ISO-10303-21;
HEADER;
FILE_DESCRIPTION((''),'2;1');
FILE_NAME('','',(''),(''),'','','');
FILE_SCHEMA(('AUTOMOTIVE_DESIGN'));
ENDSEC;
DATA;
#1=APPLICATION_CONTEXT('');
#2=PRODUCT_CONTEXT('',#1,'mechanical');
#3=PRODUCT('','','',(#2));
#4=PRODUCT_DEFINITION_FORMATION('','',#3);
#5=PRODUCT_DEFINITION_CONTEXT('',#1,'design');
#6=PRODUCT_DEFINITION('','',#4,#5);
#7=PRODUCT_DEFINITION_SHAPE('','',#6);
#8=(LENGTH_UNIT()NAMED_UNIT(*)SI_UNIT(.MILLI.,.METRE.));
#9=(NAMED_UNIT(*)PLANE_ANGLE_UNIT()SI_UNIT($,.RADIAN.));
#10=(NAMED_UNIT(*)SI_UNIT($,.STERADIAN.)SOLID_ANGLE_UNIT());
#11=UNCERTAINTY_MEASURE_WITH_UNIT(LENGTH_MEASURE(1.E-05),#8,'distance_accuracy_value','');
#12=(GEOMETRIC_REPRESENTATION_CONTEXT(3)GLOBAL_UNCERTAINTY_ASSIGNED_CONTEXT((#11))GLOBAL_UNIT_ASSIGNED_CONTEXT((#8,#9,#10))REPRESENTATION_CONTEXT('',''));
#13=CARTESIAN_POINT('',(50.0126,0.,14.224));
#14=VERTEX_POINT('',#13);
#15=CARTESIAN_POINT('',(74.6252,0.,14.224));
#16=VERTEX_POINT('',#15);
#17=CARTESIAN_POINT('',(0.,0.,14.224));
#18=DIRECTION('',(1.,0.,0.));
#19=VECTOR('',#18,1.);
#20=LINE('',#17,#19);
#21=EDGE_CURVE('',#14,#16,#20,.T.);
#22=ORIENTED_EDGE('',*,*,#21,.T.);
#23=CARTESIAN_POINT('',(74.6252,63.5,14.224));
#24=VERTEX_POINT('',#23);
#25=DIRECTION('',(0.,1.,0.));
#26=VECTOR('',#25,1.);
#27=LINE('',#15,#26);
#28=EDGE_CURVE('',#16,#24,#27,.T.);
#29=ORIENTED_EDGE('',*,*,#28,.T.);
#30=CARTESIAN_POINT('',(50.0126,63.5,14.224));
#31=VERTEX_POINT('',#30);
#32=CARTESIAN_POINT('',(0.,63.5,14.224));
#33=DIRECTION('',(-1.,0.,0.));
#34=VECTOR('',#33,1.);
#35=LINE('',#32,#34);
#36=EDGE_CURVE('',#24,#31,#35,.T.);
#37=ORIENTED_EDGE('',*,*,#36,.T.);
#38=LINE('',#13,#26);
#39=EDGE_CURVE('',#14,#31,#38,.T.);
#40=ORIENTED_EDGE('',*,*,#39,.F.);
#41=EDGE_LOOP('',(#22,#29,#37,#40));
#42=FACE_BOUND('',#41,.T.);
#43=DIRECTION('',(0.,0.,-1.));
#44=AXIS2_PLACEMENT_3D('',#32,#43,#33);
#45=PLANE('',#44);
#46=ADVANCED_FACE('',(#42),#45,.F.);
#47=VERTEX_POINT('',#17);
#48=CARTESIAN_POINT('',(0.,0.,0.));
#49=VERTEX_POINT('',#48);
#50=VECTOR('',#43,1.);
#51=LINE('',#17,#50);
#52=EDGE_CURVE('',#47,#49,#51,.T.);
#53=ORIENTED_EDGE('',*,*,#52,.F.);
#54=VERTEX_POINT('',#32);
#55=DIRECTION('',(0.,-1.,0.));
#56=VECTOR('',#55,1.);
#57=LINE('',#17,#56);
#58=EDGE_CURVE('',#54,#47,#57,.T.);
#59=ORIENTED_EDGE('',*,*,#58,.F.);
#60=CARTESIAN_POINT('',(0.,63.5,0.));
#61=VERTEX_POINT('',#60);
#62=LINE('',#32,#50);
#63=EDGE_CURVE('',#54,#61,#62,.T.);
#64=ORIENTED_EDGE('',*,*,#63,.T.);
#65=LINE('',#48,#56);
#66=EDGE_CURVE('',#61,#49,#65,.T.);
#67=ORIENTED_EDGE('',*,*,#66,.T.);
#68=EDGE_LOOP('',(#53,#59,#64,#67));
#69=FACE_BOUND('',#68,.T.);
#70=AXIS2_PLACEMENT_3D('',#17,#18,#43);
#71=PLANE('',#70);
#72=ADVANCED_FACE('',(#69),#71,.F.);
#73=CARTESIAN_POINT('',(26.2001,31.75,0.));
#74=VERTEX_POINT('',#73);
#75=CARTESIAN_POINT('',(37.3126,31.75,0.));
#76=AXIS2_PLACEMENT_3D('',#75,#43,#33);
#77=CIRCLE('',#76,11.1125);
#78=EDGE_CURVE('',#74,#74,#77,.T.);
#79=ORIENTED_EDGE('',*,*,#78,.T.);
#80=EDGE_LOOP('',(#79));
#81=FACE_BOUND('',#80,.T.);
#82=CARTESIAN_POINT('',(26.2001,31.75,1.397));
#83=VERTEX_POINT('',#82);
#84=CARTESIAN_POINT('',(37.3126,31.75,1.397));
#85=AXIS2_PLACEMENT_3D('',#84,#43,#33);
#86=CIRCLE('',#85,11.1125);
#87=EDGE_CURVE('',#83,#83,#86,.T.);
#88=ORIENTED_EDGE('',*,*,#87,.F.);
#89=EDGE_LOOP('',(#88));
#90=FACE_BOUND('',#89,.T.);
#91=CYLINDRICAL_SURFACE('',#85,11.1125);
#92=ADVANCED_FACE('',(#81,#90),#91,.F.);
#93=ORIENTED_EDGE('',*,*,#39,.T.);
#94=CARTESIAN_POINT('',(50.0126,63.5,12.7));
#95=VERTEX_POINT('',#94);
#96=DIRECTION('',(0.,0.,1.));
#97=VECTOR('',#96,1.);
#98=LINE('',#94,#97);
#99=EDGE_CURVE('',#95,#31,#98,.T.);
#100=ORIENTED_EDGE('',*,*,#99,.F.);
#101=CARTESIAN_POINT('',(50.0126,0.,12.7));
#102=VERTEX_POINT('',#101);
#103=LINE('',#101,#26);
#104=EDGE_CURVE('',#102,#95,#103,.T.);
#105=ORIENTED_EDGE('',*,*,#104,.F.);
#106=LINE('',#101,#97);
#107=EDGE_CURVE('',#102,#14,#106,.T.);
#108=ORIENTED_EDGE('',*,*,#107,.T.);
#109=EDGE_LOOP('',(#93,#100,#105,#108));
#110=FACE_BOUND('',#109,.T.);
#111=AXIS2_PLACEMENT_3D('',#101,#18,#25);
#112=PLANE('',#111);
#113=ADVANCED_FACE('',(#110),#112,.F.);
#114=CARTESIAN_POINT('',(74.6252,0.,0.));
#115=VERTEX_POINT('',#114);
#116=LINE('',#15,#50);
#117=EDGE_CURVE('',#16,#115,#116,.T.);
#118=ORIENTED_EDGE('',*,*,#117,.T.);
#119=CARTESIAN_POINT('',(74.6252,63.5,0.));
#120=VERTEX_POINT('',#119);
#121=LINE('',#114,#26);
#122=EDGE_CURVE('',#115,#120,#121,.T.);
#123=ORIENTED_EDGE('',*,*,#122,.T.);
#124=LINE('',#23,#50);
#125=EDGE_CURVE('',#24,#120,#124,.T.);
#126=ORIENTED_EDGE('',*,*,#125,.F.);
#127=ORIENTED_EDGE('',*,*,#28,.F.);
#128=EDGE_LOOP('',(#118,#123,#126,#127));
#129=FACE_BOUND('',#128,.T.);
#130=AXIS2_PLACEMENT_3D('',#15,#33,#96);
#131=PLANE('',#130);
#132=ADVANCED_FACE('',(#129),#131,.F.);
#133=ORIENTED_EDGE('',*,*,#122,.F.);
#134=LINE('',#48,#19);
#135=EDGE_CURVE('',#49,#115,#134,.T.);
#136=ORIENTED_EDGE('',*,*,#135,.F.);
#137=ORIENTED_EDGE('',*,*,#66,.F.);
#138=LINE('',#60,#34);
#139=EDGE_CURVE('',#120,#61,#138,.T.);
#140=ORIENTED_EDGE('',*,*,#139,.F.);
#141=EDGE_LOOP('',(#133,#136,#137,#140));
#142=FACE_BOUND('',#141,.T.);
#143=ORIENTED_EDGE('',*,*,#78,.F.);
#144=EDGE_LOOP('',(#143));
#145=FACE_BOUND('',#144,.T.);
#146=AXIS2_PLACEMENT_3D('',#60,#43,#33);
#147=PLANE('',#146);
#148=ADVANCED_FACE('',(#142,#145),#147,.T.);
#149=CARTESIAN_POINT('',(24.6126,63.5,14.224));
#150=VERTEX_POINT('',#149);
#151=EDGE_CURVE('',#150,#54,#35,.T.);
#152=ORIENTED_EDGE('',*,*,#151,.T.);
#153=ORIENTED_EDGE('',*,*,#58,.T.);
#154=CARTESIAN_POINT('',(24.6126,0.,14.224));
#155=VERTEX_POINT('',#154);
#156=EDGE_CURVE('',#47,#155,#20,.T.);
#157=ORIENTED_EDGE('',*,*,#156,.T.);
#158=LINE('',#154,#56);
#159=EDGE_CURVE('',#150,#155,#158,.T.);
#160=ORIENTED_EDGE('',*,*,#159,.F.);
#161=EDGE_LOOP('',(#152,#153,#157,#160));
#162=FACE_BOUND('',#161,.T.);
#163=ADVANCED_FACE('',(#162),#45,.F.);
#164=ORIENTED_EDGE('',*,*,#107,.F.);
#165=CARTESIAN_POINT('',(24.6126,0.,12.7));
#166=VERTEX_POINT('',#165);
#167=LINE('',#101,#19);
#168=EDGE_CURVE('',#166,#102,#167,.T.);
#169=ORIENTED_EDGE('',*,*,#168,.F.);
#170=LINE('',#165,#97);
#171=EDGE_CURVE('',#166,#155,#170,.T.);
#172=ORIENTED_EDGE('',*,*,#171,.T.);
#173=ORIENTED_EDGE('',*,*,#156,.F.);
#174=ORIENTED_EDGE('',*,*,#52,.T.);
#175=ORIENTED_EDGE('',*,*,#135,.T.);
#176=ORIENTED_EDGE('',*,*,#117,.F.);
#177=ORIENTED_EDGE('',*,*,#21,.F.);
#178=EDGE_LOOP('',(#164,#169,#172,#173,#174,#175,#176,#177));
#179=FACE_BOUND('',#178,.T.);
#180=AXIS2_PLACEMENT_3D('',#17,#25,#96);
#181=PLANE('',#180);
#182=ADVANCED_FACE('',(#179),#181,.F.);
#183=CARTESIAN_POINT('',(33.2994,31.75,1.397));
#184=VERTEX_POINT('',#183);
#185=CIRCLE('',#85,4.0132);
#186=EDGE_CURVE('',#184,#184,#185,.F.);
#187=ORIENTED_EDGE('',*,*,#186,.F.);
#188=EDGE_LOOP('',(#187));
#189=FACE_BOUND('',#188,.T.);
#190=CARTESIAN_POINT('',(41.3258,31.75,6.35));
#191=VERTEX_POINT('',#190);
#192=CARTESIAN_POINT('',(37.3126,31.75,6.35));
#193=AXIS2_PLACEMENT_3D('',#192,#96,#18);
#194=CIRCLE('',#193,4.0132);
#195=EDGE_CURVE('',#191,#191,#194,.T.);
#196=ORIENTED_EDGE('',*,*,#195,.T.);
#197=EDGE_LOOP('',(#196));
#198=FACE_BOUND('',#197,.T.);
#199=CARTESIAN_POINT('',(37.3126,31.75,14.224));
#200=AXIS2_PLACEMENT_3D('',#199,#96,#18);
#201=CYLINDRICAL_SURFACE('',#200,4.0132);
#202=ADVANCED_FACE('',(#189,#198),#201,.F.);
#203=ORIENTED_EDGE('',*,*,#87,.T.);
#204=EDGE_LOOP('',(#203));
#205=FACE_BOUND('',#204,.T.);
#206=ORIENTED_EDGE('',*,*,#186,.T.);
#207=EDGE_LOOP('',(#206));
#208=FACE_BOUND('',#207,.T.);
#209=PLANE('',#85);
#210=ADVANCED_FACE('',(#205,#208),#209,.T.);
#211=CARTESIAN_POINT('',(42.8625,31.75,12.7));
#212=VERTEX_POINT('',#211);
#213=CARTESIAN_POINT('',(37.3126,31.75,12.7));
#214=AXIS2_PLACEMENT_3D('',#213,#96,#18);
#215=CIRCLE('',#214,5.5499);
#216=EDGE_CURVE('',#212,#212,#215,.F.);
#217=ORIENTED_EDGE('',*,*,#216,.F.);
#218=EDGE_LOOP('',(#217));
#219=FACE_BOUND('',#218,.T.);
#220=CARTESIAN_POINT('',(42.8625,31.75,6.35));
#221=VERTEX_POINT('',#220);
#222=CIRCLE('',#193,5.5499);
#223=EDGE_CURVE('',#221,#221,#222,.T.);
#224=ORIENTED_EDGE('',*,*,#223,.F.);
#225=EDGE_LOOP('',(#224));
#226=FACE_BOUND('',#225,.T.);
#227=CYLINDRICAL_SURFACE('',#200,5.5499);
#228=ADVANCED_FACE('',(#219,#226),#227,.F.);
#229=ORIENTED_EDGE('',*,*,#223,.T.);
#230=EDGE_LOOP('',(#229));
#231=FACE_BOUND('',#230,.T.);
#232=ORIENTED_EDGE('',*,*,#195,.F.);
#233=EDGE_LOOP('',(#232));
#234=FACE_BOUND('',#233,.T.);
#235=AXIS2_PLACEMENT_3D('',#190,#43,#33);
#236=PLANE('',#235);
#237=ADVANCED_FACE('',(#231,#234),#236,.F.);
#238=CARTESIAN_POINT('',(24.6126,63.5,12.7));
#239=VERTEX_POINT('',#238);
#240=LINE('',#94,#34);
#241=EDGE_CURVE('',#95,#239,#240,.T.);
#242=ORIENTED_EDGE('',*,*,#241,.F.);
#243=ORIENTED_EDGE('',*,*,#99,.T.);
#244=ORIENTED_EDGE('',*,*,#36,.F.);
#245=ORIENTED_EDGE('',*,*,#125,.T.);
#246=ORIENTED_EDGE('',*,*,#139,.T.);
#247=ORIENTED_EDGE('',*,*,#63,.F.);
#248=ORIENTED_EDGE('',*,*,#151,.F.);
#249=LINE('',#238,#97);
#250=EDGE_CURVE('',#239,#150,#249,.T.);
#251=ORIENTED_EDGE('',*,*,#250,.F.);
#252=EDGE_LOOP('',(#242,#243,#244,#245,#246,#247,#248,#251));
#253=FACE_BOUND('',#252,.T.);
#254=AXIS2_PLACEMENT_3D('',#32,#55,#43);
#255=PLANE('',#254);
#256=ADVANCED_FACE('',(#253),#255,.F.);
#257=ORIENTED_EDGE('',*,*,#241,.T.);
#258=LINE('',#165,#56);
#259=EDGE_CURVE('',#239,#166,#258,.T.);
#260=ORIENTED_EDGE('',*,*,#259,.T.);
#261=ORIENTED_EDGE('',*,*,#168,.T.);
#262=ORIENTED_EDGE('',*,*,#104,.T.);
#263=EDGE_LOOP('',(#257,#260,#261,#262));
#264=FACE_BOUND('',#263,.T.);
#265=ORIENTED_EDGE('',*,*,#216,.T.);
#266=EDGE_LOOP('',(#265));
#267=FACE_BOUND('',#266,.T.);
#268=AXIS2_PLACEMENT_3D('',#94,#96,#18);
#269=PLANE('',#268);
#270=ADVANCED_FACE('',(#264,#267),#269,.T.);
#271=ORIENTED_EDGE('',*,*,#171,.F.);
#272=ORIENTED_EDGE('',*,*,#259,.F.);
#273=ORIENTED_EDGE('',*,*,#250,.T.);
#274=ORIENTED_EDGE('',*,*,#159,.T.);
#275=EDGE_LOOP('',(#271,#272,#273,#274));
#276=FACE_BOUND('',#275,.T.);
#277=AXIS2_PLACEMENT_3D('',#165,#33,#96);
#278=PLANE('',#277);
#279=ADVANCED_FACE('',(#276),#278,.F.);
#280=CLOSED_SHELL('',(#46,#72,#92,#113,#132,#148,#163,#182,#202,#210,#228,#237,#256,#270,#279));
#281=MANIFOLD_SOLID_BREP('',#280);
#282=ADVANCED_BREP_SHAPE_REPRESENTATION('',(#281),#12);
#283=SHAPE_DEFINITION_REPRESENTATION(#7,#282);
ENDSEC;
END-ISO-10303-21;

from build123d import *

# Parameters (mm, degrees)
SKETCH1_W                                        = 74.6252
SKETCH1_H                                        = 63.5
BOSS_EXTRUDE1_DEPTH                              = 14.224
CBORE_FOR_1_4_SOCKET_HEAD_CAP_SCREW1_D           = 8.0264
CBORE_FOR_1_4_SOCKET_HEAD_CAP_SCREW1_CBORE_D     = 11.0998
CBORE_FOR_1_4_SOCKET_HEAD_CAP_SCREW1_CBORE_DEPTH = 7.874
SKETCH9_W                                        = 25.4
SKETCH9_H                                        = 63.5
CUT_EXTRUDE1_DEPTH                               = 1.524
SKETCH10_R                                       = 11.1125
CUT_EXTRUDE2_DEPTH                               = 1.397


with BuildPart() as part:
    # Sketch1 → Boss-Extrude1 (new body)
    with BuildSketch(Plane.XY):
        with Locations((37.3126, 31.75)):
            Rectangle(SKETCH1_W, SKETCH1_H)
    extrude(amount=BOSS_EXTRUDE1_DEPTH)

    # CBORE for 1/4 Socket Head Cap Screw1 (through all)
    with Locations(Plane.XY.offset(14.224)):
        with Locations((37.3126, 31.75)):
            CounterBoreHole(CBORE_FOR_1_4_SOCKET_HEAD_CAP_SCREW1_D / 2, CBORE_FOR_1_4_SOCKET_HEAD_CAP_SCREW1_CBORE_D / 2, CBORE_FOR_1_4_SOCKET_HEAD_CAP_SCREW1_CBORE_DEPTH)

    # Sketch9 → Cut-Extrude1 (cut)
    with BuildSketch(Plane.XY.offset(14.224)):
        with Locations((37.3126, 31.75)):
            Rectangle(SKETCH9_W, SKETCH9_H)
    extrude(amount=-CUT_EXTRUDE1_DEPTH, mode=Mode.SUBTRACT)

    # Sketch10 → Cut-Extrude2 (cut)
    with BuildSketch(Plane(origin=(0, 0, 0), x_dir=(-1, 0, 0), z_dir=(0, 0, -1))):
        with Locations((-37.3126, 31.75)):
            Circle(SKETCH10_R)
    extrude(amount=-CUT_EXTRUDE2_DEPTH, mode=Mode.SUBTRACT)


solid = part.part
